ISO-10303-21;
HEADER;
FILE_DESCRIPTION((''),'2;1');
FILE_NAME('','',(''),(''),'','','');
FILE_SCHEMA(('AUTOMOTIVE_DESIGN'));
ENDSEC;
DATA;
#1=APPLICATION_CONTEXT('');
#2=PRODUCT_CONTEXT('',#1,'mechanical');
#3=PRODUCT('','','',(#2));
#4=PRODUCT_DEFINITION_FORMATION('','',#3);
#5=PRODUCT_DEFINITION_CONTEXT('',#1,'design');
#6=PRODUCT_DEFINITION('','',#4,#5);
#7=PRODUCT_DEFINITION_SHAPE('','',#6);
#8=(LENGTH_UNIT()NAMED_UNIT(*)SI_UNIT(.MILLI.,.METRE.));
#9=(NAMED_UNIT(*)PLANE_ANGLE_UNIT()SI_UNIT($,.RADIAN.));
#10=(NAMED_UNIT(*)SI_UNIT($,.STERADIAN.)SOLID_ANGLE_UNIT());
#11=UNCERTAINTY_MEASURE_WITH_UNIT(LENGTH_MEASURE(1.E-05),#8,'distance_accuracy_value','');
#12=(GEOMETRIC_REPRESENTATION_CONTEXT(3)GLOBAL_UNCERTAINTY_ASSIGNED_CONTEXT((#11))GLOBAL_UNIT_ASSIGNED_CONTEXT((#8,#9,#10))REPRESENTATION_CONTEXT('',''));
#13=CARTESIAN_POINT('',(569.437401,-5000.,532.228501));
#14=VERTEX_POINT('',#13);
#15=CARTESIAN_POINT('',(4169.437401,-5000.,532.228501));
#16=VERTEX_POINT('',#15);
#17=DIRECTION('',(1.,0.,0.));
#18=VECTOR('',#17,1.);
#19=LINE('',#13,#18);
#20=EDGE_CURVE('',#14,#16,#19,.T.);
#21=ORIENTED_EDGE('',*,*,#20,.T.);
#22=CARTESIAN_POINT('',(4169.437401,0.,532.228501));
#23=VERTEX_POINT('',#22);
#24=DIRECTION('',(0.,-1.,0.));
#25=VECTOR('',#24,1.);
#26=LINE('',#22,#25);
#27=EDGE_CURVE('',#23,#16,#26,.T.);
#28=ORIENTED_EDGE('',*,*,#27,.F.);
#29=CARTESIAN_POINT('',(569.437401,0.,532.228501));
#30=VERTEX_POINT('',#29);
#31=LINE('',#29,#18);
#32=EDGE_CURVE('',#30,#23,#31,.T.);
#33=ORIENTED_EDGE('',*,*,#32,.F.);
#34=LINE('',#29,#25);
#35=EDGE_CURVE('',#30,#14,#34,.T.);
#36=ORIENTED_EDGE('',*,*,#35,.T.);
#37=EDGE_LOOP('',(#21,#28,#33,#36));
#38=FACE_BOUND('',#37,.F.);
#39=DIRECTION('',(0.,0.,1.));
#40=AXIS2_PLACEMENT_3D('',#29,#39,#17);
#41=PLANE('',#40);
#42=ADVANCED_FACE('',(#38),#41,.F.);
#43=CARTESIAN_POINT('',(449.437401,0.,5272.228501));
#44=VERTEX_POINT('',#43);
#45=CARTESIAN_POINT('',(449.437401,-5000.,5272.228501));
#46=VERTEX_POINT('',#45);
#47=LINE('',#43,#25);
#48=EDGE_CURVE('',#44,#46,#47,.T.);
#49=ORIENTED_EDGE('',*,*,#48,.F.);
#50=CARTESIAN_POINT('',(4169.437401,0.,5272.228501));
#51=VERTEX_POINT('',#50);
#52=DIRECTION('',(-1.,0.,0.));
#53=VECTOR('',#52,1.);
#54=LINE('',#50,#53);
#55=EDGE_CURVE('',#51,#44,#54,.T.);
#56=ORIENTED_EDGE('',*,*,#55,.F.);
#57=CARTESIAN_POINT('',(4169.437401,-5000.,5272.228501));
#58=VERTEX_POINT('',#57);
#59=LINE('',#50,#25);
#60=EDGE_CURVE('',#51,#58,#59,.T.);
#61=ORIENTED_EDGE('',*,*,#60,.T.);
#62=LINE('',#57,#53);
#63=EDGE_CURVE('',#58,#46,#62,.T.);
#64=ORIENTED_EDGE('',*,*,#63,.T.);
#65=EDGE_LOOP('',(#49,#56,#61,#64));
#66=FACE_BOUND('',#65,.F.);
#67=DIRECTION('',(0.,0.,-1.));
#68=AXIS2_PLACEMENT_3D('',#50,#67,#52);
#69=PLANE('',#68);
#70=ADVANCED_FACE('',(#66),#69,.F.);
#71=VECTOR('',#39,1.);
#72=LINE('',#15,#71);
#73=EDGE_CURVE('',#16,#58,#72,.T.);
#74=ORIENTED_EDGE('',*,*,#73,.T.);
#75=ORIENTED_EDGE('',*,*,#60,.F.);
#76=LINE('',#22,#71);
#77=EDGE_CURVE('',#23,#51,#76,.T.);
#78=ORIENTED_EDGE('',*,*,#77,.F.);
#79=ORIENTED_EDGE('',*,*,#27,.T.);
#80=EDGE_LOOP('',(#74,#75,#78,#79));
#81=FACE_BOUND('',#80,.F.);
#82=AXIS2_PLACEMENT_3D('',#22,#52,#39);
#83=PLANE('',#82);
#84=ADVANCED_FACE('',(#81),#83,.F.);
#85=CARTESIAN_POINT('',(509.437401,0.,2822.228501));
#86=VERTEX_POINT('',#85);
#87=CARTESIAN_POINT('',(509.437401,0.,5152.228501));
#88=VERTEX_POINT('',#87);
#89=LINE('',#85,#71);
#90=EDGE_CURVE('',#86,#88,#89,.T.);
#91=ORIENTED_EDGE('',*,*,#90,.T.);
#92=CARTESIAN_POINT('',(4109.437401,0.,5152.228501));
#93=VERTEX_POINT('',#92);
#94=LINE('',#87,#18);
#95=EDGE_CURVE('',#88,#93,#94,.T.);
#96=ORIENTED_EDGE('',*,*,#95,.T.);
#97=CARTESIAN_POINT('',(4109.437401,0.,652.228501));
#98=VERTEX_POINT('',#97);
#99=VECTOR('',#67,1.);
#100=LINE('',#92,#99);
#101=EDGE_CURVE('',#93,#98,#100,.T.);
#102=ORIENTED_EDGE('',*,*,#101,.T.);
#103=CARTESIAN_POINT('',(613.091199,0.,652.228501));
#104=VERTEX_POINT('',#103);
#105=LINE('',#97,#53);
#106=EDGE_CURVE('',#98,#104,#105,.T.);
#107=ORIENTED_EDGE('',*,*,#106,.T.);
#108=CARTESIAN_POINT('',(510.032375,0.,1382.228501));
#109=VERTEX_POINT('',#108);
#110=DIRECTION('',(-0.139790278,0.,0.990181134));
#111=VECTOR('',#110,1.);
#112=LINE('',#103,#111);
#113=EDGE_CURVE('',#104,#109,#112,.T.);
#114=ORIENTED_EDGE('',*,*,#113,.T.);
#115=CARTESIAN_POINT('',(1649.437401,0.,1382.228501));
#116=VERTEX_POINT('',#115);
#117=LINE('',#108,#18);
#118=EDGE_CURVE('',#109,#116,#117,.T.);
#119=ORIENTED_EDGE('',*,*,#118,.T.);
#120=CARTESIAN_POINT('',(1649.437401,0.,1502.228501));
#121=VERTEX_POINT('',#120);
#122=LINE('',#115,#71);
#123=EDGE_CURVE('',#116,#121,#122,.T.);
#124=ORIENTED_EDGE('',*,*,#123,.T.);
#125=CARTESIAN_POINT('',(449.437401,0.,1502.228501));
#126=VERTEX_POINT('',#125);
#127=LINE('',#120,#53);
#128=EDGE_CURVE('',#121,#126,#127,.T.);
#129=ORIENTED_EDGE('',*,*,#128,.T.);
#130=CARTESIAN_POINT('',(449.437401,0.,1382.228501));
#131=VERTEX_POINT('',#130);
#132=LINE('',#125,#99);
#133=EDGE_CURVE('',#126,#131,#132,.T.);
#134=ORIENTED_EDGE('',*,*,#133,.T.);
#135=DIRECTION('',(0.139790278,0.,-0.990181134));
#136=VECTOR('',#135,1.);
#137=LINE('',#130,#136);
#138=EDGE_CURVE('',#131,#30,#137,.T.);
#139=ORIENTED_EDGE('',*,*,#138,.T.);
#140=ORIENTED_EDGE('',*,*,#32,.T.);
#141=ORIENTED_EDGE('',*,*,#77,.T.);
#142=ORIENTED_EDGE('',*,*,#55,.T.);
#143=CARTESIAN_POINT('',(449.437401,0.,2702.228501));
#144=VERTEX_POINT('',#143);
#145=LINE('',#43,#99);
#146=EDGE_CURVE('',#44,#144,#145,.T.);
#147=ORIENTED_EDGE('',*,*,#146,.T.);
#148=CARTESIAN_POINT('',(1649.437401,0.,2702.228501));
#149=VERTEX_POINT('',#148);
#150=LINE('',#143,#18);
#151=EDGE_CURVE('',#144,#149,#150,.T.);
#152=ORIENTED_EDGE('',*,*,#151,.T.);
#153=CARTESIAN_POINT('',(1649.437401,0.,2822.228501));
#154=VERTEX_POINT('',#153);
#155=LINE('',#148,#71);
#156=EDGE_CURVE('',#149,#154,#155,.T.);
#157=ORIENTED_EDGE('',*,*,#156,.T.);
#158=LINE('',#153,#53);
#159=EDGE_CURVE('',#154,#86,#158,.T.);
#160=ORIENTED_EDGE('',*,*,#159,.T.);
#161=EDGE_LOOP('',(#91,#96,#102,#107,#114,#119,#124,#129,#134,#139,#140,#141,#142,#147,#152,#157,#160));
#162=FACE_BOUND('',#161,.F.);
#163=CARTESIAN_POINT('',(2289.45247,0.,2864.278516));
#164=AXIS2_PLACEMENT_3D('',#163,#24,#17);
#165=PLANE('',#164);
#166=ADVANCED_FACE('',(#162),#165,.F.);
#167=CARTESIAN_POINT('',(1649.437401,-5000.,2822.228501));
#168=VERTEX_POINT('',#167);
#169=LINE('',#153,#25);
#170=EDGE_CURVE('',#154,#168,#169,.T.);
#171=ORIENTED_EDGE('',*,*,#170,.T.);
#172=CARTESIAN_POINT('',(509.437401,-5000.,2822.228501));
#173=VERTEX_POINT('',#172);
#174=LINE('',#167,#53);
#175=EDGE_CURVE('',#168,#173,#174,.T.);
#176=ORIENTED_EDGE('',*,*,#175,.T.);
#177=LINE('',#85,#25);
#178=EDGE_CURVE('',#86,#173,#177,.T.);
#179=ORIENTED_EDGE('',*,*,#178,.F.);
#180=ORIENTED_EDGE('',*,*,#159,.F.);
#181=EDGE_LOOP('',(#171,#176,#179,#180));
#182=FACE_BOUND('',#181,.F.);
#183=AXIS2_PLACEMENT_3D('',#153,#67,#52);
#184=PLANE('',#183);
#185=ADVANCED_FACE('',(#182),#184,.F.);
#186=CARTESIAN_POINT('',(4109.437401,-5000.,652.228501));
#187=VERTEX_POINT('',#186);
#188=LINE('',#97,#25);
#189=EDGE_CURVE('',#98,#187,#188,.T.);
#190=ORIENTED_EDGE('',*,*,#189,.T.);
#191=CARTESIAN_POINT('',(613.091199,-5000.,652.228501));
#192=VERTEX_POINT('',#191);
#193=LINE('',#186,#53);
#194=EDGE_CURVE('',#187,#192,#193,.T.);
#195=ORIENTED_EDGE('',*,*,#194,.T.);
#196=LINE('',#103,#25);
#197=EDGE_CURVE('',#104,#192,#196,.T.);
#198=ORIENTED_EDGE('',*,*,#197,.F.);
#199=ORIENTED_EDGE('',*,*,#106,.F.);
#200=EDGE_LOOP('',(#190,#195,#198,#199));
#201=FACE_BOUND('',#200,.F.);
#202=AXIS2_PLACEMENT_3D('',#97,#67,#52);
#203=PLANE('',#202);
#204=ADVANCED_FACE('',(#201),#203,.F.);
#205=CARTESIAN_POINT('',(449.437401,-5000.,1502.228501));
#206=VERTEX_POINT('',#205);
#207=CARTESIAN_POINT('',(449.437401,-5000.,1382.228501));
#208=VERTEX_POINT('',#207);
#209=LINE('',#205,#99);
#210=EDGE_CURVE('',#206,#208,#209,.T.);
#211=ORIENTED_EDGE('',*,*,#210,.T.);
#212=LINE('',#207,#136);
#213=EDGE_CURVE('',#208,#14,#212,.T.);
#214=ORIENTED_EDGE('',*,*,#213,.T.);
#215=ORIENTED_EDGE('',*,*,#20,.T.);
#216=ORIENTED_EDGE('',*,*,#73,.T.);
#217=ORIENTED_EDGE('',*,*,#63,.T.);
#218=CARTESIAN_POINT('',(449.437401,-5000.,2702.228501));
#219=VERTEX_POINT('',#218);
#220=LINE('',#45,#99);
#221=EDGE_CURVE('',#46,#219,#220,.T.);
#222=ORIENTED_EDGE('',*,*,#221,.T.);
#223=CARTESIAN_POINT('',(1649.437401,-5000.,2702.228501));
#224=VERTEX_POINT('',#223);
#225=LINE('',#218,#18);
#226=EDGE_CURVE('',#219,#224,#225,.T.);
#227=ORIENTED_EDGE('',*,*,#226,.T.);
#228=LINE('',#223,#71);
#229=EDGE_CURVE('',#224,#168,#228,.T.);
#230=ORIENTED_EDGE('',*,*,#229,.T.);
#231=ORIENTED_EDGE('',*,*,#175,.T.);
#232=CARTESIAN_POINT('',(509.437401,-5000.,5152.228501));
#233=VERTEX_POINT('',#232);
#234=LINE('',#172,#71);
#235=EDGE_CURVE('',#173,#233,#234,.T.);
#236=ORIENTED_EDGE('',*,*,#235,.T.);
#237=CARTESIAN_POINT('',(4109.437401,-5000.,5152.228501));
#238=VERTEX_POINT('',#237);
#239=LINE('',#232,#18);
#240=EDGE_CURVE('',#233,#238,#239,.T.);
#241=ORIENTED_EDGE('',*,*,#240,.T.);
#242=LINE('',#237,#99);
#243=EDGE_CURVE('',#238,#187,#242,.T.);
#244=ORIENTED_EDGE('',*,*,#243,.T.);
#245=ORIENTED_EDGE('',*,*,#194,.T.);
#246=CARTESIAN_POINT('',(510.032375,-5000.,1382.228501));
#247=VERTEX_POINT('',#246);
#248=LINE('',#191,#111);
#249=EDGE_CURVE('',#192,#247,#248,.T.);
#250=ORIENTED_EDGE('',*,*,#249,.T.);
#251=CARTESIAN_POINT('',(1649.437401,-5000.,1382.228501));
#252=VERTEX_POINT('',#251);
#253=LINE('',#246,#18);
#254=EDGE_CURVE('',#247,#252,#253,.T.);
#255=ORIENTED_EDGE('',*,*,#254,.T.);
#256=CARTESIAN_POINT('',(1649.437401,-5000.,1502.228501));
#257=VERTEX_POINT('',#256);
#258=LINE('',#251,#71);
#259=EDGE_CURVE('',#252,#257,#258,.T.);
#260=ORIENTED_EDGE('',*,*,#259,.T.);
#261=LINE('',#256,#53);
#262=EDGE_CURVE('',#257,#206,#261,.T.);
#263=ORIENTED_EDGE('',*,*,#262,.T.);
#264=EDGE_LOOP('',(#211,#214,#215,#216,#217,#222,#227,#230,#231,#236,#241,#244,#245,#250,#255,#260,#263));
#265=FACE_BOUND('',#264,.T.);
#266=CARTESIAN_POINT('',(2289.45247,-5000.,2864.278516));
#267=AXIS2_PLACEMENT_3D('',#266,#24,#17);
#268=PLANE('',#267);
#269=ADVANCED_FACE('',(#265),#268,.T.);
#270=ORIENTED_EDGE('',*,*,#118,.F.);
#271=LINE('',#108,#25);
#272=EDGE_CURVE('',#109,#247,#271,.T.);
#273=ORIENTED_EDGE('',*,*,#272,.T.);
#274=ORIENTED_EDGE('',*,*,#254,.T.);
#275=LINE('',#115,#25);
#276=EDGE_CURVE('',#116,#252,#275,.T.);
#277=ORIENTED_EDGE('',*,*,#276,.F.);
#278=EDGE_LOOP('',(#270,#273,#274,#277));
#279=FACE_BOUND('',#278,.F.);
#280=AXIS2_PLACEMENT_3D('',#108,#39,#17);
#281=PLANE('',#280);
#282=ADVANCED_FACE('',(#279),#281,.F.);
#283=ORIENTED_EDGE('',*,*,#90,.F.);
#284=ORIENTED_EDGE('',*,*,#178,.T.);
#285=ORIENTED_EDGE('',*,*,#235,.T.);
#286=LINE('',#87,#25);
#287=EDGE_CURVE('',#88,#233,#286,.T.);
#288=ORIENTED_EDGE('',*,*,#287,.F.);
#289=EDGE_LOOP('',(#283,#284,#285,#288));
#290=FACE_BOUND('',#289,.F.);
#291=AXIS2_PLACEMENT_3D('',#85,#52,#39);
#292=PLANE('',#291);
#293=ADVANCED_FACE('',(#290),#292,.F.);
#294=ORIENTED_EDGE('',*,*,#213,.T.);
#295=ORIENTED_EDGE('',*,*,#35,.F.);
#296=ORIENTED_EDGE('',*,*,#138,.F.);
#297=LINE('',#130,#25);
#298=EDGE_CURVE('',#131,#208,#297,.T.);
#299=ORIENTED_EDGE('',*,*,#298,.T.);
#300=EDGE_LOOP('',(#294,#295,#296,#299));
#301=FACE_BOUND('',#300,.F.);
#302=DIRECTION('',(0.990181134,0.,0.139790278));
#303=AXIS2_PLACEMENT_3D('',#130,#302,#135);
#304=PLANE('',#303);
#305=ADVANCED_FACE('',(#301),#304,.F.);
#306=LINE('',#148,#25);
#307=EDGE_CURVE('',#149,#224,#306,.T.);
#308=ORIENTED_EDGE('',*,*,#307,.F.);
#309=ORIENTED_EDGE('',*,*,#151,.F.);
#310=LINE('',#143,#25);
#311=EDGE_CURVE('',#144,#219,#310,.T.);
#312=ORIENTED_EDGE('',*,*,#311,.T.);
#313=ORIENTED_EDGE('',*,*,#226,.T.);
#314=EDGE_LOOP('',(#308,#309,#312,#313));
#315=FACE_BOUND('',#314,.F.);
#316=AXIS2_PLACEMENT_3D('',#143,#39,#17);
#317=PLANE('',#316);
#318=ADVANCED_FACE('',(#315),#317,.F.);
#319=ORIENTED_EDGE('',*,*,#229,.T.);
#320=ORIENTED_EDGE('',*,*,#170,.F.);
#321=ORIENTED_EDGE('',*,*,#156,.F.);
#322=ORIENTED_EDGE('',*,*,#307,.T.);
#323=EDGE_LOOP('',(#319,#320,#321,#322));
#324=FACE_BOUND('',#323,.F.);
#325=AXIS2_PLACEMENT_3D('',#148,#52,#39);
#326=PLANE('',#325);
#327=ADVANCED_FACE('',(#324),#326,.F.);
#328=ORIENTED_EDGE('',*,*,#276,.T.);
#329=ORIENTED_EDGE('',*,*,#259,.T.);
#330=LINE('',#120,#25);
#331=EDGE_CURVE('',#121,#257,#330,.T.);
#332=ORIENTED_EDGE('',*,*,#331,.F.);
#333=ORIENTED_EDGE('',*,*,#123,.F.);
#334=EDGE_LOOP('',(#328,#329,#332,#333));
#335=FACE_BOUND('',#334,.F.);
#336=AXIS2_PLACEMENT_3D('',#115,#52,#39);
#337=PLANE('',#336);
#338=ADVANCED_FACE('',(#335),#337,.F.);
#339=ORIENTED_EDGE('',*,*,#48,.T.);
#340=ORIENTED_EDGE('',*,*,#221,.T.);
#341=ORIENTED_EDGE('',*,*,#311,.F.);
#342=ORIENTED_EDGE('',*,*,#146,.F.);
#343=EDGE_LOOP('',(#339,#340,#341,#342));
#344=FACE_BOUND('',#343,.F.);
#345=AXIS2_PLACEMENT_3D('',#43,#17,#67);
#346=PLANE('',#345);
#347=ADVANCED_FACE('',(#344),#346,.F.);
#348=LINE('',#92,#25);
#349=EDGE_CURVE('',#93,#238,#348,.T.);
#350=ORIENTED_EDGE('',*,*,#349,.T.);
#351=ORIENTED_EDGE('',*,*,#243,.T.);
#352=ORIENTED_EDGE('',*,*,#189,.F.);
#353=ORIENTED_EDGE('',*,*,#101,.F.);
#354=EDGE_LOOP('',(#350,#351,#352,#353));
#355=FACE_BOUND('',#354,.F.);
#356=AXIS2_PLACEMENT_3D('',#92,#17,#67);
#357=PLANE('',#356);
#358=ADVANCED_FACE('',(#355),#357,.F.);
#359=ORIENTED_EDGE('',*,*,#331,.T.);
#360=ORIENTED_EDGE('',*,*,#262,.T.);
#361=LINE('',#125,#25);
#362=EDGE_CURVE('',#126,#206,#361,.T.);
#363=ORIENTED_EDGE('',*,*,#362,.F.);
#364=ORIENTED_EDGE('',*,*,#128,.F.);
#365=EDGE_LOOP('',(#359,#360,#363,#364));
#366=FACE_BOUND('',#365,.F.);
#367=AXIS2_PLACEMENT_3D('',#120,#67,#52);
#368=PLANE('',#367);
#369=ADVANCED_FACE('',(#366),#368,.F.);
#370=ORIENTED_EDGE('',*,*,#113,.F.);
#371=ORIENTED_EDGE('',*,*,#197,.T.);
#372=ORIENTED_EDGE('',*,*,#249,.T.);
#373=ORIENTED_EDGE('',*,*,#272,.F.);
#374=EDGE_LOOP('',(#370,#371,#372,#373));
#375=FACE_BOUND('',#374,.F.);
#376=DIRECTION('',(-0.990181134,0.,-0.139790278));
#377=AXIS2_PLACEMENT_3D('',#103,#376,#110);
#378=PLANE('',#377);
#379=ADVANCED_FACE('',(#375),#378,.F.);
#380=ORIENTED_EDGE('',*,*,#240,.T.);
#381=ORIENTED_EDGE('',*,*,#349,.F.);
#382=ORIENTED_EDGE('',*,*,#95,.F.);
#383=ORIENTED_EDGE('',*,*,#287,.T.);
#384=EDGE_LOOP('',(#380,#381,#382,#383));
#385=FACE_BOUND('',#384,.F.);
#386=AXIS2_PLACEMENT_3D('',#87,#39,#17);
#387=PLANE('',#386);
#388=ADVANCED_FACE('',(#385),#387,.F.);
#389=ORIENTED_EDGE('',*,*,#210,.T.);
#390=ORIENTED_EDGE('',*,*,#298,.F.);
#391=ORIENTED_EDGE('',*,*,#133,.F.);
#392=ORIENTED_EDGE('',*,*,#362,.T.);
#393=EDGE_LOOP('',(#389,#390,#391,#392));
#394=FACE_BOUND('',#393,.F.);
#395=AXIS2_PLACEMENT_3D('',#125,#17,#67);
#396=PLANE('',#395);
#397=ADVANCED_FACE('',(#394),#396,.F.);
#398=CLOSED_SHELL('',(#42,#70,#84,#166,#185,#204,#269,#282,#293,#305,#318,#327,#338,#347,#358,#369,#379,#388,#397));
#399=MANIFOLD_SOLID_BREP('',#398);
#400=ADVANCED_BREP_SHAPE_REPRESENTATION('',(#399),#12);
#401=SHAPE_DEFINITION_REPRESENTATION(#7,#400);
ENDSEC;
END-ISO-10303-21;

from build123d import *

# Parameters (mm, degrees)
F1_DEPTH = 5000


with BuildPart() as f1:
    # F0 (on Front) → F1 (new body)
    with BuildSketch(Plane.XZ):
        Polygon((449.437401, 1382.228501), (569.437401, 532.228501), (4169.437401, 532.228501), (4169.437401, 5272.228501), (449.437401, 5272.228501), (449.437401, 2702.228501), (1649.437401, 2702.228501), (1649.437401, 2822.228501), (509.437401, 2822.228501), (509.437401, 5152.228501), (4109.437401, 5152.228501), (4109.437401, 652.228501), (613.091199, 652.228501), (510.032375, 1382.228501), (1649.437401, 1382.228501), (1649.437401, 1502.228501), (449.437401, 1502.228501), align=None)
    extrude(amount=F1_DEPTH)


solid = f1.part
